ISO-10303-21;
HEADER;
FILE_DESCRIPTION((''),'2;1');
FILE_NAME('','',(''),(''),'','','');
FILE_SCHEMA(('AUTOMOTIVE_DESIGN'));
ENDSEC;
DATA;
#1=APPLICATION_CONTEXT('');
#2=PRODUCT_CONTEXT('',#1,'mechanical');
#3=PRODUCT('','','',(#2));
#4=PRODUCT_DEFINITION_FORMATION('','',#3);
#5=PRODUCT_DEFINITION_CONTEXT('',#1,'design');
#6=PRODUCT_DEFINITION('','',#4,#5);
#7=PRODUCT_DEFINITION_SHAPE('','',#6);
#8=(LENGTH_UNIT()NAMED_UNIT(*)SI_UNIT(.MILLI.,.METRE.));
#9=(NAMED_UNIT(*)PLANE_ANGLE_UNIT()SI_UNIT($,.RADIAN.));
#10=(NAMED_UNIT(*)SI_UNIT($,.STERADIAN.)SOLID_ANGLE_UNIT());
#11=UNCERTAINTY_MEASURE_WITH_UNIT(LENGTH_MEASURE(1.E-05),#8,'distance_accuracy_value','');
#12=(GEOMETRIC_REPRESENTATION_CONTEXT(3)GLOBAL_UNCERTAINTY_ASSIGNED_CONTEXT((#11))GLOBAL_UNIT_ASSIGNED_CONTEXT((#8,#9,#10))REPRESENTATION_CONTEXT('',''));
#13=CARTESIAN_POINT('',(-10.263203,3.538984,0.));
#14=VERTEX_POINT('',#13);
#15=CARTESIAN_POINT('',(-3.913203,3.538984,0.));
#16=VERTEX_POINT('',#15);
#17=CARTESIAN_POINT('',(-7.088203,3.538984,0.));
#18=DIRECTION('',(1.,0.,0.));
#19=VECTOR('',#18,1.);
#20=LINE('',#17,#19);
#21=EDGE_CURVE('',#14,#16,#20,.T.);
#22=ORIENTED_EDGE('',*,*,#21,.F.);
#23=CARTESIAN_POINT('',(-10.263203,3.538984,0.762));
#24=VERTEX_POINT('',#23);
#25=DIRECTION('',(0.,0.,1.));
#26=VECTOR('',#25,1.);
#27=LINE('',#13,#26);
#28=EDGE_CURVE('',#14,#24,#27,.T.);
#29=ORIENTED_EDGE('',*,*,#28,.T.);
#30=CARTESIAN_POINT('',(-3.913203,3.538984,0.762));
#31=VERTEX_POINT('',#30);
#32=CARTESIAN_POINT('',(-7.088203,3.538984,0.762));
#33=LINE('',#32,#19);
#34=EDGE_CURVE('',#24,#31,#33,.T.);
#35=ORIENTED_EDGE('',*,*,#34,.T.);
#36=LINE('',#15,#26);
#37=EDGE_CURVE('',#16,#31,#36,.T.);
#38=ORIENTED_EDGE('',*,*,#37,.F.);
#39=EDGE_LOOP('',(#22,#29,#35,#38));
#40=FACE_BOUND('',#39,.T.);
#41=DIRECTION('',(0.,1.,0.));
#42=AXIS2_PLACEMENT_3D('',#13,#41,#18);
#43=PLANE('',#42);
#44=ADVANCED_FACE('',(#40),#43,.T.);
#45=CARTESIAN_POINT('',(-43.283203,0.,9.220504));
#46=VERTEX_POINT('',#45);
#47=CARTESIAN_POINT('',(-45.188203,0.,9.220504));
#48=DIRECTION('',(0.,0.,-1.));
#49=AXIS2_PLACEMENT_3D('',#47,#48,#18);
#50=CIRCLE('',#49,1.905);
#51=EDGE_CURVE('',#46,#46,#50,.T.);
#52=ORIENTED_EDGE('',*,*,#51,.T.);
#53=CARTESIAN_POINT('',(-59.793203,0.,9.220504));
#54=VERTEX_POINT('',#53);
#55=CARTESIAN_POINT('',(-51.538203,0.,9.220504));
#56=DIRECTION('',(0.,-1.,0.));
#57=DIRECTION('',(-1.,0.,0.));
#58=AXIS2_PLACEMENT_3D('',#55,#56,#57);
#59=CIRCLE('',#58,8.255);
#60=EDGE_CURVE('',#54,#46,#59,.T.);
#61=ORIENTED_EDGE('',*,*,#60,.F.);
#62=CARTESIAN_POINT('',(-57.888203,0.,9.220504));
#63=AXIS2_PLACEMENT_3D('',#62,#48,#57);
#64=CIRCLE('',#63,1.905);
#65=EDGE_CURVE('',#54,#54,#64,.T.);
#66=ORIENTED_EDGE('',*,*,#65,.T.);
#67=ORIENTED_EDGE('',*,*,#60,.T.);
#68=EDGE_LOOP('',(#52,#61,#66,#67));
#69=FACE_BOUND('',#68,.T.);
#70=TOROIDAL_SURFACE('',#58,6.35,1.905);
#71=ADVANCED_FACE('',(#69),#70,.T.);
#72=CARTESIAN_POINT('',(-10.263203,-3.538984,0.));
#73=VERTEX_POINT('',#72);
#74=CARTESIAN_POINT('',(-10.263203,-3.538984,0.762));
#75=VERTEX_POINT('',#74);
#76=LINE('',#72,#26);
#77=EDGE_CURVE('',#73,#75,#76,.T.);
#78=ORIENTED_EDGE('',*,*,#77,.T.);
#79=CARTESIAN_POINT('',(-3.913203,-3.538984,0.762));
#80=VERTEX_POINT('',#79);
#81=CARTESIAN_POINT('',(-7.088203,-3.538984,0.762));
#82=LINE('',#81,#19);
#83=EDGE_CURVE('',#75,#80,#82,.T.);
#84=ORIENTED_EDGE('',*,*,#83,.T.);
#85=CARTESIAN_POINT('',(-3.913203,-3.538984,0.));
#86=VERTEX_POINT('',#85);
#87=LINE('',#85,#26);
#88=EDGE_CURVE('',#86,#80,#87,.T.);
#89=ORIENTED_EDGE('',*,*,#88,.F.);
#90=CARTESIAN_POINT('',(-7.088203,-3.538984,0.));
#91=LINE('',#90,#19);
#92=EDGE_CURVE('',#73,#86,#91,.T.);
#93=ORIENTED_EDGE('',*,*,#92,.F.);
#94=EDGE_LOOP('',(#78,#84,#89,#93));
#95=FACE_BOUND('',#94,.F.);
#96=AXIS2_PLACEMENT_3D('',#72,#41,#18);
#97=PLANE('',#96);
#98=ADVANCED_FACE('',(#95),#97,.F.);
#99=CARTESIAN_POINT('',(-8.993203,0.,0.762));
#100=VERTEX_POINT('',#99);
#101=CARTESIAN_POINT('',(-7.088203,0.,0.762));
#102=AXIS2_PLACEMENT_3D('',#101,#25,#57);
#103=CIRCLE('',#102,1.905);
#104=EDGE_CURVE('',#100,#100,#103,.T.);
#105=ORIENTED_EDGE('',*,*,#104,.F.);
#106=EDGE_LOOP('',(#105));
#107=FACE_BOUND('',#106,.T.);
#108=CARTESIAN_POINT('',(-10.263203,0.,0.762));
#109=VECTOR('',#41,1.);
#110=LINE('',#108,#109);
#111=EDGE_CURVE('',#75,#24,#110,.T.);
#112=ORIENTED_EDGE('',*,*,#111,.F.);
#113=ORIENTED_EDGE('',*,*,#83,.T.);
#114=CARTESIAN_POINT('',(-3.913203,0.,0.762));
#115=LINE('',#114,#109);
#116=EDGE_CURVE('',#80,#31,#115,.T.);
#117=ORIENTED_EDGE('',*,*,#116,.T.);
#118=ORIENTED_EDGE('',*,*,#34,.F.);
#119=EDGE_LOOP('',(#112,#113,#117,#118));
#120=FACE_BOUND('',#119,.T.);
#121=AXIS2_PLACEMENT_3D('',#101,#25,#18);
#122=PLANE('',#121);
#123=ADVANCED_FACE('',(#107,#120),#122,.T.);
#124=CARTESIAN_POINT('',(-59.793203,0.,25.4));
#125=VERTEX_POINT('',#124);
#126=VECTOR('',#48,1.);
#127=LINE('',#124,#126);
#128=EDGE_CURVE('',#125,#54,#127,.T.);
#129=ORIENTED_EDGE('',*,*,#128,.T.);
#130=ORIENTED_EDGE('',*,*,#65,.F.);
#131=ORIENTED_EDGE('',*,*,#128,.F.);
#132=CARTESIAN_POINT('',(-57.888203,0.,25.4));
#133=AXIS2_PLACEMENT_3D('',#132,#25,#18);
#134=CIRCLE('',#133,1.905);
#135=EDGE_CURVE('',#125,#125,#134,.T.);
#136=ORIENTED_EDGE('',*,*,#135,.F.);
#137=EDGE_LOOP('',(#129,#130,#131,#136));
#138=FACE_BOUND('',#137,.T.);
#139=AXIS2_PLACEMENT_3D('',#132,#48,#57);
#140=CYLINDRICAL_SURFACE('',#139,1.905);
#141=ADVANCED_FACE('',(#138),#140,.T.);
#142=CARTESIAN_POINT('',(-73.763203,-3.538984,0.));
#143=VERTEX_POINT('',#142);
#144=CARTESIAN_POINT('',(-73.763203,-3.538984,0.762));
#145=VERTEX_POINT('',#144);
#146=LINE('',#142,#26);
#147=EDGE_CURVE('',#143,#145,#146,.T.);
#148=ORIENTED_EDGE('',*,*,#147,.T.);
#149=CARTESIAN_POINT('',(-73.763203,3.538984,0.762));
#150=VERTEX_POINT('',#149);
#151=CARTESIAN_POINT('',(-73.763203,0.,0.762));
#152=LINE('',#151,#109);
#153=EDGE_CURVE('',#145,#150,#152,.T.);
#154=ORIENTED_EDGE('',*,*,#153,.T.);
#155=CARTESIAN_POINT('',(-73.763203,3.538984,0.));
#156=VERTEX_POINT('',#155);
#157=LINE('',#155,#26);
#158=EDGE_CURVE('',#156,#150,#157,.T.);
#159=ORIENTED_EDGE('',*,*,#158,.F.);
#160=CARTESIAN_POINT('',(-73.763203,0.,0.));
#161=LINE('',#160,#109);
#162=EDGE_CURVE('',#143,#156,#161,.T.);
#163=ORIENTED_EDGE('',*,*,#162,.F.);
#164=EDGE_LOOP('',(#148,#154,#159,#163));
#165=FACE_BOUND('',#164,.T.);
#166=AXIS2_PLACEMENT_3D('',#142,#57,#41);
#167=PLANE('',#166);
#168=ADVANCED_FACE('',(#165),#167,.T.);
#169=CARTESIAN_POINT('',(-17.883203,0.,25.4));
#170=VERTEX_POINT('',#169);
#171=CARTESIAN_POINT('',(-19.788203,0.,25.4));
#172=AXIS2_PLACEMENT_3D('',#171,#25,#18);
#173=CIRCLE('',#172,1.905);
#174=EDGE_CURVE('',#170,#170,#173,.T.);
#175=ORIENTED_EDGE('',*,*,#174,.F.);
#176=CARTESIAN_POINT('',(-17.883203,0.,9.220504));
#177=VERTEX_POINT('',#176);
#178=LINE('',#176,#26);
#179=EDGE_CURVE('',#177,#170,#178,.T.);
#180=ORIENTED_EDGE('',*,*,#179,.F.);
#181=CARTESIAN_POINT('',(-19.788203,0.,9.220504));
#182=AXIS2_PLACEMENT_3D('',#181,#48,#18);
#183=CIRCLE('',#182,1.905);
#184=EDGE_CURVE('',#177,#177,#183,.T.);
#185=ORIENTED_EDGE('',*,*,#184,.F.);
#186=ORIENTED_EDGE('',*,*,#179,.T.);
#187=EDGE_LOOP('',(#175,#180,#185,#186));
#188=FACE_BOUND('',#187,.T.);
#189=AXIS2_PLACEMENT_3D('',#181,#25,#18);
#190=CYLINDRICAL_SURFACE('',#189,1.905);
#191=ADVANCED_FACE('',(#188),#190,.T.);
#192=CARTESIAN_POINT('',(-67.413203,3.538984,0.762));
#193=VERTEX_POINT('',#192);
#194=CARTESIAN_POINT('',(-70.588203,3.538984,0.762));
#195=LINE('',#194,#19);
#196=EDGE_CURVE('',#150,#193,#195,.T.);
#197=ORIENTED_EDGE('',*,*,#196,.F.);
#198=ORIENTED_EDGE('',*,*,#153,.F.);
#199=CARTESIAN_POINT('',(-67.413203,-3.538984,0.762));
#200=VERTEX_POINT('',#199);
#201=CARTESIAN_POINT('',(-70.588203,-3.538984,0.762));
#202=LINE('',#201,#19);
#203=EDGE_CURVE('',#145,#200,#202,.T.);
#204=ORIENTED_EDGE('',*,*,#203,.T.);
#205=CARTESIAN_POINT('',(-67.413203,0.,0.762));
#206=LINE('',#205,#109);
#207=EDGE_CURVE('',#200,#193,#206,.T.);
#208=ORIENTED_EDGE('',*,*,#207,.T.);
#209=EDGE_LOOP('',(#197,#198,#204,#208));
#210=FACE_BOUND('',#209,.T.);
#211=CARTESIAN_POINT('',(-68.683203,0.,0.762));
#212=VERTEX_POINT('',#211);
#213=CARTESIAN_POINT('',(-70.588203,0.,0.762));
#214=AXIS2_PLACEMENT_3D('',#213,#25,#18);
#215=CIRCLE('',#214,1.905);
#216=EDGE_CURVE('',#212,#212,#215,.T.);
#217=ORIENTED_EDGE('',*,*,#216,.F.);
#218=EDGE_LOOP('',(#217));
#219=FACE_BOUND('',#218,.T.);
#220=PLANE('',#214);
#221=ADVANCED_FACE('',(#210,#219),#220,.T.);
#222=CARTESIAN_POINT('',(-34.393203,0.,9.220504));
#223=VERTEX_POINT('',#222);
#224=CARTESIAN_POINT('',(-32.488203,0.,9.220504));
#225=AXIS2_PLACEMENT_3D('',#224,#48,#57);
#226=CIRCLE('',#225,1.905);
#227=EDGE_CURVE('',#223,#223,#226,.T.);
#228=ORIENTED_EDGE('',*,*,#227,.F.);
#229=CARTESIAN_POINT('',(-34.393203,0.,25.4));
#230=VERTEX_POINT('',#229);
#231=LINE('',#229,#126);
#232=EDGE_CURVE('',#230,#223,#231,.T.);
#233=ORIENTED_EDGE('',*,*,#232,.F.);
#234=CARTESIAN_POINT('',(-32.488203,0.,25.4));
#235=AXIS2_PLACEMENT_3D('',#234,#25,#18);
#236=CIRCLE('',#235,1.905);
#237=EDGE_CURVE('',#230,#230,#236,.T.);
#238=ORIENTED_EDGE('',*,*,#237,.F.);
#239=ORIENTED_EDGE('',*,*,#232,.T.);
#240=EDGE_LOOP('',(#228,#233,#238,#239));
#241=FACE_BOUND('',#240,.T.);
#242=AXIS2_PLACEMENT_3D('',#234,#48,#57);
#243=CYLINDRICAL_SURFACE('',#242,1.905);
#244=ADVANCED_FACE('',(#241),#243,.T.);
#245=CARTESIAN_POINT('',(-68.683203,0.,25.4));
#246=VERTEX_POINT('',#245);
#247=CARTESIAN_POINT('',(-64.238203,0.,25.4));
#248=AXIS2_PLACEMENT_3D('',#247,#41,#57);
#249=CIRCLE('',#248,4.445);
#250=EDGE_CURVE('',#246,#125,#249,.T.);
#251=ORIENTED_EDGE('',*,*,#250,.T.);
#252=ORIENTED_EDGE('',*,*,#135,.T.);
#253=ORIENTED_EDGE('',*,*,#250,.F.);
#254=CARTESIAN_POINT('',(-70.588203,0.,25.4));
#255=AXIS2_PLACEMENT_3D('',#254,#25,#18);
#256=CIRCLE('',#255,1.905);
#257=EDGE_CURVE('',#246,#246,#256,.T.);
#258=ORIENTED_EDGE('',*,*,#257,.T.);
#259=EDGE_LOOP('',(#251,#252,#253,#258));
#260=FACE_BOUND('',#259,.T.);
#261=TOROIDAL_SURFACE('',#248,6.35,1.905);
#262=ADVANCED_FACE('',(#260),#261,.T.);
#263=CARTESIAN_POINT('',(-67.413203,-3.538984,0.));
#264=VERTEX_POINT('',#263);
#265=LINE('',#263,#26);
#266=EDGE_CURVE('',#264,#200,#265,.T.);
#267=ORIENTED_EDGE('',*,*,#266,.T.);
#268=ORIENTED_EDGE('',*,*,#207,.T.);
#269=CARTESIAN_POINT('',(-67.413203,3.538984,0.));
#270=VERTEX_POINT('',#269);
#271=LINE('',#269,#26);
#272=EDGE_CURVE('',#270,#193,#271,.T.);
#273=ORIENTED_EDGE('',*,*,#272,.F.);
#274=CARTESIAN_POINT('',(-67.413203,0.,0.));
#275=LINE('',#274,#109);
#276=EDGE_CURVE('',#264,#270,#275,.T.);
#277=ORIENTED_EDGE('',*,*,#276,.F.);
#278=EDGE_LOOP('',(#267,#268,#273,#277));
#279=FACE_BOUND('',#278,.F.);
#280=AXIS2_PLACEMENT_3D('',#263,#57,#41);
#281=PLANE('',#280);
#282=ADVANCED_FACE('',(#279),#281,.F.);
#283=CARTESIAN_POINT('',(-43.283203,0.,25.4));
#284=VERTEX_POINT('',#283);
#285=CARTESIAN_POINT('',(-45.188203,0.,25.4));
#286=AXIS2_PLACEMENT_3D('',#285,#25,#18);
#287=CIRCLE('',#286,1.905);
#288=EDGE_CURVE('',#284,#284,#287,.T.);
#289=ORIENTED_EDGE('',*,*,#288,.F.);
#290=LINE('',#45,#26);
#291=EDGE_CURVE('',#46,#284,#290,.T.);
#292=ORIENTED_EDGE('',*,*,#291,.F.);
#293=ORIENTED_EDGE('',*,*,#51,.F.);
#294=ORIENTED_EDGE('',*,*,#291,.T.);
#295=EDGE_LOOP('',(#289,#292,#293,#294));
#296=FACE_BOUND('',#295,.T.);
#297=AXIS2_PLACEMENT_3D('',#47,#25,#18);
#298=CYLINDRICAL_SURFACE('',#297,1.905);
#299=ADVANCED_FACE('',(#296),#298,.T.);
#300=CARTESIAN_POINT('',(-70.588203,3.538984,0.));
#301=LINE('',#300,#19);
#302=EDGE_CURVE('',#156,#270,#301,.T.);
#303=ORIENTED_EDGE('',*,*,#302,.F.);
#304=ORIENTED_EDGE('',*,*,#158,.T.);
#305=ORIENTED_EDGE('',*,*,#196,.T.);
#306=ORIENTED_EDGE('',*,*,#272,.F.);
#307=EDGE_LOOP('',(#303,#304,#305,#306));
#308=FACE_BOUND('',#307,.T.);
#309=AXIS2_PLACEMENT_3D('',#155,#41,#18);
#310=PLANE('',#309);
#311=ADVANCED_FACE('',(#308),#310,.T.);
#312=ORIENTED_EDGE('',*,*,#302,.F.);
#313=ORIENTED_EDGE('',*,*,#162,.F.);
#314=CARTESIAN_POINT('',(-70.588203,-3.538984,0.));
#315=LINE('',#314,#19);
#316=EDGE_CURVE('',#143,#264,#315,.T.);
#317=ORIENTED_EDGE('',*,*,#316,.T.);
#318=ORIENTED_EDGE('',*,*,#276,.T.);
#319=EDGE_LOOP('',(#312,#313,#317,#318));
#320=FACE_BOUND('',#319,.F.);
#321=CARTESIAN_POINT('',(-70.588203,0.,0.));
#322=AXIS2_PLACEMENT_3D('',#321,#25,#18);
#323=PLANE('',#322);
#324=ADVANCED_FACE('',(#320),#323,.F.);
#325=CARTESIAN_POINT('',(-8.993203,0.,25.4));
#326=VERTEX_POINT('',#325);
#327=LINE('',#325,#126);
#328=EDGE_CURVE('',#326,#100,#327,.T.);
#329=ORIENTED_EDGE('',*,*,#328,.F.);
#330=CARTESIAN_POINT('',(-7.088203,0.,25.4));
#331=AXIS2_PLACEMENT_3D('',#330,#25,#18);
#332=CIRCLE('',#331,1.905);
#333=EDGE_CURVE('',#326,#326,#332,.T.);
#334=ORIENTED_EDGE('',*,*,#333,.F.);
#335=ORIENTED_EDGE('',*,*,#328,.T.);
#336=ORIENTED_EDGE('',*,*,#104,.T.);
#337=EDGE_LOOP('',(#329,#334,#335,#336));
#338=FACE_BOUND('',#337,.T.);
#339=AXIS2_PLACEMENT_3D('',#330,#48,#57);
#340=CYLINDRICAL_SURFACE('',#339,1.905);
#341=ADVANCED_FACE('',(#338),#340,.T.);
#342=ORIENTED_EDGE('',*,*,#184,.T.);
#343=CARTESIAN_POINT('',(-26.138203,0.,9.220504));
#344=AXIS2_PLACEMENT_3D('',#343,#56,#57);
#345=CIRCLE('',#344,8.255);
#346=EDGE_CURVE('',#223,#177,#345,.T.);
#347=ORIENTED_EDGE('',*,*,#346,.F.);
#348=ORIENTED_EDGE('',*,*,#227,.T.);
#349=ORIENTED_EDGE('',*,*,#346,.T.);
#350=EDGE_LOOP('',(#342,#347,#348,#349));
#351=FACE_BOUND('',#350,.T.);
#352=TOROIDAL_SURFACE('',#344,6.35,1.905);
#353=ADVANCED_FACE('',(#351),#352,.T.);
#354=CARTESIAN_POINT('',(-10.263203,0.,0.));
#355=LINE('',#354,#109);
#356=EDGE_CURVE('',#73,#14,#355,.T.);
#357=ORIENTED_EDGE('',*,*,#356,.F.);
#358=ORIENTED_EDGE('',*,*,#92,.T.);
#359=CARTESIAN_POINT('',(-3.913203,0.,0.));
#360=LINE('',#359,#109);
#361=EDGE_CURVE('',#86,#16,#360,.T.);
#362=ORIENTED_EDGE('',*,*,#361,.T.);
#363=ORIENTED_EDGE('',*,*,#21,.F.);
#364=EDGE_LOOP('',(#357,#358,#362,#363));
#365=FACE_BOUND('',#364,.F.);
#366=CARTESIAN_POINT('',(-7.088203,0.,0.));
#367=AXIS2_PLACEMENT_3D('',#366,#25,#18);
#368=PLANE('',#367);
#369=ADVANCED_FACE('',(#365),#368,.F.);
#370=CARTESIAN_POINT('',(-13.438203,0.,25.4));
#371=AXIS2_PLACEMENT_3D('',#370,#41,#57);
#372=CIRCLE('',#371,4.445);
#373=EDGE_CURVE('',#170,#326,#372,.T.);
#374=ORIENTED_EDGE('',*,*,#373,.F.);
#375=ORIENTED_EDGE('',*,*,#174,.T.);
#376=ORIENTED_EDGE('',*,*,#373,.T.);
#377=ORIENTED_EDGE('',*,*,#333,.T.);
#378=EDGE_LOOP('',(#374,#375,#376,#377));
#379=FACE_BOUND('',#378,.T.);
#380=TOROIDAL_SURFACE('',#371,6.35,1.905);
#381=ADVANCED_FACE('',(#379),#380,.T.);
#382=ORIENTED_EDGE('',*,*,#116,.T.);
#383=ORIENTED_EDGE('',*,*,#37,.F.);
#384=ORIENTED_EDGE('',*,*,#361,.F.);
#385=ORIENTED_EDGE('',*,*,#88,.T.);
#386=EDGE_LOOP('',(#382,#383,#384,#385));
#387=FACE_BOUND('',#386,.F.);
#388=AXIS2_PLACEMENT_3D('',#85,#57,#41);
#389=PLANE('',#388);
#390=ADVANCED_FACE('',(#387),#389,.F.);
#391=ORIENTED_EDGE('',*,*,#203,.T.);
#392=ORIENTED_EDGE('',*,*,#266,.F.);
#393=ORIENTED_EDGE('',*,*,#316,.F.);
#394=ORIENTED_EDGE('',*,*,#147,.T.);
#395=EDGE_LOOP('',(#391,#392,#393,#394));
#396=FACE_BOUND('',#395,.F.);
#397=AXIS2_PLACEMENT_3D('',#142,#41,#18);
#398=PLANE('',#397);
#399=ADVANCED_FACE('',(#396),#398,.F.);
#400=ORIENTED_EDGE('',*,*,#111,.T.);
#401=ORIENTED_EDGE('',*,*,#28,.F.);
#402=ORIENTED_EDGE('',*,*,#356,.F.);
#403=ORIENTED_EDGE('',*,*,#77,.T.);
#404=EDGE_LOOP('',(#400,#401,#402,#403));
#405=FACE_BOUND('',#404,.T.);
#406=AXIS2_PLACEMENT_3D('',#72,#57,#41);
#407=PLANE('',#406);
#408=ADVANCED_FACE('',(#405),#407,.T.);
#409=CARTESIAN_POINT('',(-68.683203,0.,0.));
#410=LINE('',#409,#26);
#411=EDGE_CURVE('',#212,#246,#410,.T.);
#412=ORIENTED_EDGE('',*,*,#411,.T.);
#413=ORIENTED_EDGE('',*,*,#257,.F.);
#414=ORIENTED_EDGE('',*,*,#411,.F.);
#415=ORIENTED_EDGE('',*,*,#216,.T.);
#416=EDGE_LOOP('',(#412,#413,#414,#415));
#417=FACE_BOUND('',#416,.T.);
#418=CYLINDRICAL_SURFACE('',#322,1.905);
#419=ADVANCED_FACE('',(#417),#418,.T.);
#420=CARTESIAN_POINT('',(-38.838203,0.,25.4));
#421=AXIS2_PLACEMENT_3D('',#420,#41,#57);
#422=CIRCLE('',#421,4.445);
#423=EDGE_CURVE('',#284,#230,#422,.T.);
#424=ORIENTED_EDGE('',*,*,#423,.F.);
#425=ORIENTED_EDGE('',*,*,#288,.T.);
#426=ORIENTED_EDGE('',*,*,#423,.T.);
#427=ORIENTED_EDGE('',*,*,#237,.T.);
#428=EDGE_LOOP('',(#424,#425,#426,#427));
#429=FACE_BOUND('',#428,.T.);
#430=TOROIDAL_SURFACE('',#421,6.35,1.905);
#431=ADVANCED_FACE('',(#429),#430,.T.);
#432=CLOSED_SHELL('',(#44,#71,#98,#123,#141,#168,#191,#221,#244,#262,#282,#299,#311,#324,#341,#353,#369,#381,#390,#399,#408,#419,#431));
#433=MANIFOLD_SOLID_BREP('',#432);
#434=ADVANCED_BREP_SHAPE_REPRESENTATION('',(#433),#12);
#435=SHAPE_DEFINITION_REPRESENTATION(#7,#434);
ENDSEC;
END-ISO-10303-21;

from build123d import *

# Parameters (mm, degrees)
F1_R     = 1.905
F1_W     = 6.35
F1_H     = 7.077968
F3_DEPTH = 0.762


with BuildPart() as f2:
    # F2: sweep along a path in F0
    with BuildLine(Plane.XZ) as f2_path:
        Line((-70.588203, 0), (-70.588203, 25.4))
        ThreePointArc((-70.588203, 25.4), (-64.238203, 31.75), (-57.888203, 25.4))
        Line((-57.888203, 25.4), (-57.888203, 9.220504))
        ThreePointArc((-57.888203, 9.220504), (-51.538203, 2.870504), (-45.188203, 9.220504))
        Line((-45.188203, 9.220504), (-45.188203, 25.4))
        ThreePointArc((-45.188203, 25.4), (-38.838203, 31.75), (-32.488203, 25.4))
        Line((-32.488203, 25.4), (-32.488203, 9.220504))
        ThreePointArc((-32.488203, 9.220504), (-26.138203, 2.870504), (-19.788203, 9.220504))
        Line((-19.788203, 9.220504), (-19.788203, 25.4))
        ThreePointArc((-19.788203, 25.4), (-13.438203, 31.75), (-7.088203, 25.4))
        Line((-7.088203, 25.4), (-7.088203, 0))
    # F1 (on Top) → F2 (sweep)
    with BuildSketch(Plane.XY):
        with Locations((-70.588203, 0)):
            Circle(F1_R)
    sweep(path=f2_path.line)

    # F1 (on Top) → F3 (join)
    with BuildSketch(Plane.XY):
        with Locations((-70.588203, 0)):
            Rectangle(F1_W, F1_H)
        with Locations((-70.588203, 0)):
            Circle(F1_R, mode=Mode.SUBTRACT)
        with Locations((-7.088203, 0)):
            Rectangle(F1_W, F1_H)
        with Locations((-7.088203, 0)):
            Circle(F1_R, mode=Mode.SUBTRACT)
    extrude(amount=F3_DEPTH)


solid = f2.part
